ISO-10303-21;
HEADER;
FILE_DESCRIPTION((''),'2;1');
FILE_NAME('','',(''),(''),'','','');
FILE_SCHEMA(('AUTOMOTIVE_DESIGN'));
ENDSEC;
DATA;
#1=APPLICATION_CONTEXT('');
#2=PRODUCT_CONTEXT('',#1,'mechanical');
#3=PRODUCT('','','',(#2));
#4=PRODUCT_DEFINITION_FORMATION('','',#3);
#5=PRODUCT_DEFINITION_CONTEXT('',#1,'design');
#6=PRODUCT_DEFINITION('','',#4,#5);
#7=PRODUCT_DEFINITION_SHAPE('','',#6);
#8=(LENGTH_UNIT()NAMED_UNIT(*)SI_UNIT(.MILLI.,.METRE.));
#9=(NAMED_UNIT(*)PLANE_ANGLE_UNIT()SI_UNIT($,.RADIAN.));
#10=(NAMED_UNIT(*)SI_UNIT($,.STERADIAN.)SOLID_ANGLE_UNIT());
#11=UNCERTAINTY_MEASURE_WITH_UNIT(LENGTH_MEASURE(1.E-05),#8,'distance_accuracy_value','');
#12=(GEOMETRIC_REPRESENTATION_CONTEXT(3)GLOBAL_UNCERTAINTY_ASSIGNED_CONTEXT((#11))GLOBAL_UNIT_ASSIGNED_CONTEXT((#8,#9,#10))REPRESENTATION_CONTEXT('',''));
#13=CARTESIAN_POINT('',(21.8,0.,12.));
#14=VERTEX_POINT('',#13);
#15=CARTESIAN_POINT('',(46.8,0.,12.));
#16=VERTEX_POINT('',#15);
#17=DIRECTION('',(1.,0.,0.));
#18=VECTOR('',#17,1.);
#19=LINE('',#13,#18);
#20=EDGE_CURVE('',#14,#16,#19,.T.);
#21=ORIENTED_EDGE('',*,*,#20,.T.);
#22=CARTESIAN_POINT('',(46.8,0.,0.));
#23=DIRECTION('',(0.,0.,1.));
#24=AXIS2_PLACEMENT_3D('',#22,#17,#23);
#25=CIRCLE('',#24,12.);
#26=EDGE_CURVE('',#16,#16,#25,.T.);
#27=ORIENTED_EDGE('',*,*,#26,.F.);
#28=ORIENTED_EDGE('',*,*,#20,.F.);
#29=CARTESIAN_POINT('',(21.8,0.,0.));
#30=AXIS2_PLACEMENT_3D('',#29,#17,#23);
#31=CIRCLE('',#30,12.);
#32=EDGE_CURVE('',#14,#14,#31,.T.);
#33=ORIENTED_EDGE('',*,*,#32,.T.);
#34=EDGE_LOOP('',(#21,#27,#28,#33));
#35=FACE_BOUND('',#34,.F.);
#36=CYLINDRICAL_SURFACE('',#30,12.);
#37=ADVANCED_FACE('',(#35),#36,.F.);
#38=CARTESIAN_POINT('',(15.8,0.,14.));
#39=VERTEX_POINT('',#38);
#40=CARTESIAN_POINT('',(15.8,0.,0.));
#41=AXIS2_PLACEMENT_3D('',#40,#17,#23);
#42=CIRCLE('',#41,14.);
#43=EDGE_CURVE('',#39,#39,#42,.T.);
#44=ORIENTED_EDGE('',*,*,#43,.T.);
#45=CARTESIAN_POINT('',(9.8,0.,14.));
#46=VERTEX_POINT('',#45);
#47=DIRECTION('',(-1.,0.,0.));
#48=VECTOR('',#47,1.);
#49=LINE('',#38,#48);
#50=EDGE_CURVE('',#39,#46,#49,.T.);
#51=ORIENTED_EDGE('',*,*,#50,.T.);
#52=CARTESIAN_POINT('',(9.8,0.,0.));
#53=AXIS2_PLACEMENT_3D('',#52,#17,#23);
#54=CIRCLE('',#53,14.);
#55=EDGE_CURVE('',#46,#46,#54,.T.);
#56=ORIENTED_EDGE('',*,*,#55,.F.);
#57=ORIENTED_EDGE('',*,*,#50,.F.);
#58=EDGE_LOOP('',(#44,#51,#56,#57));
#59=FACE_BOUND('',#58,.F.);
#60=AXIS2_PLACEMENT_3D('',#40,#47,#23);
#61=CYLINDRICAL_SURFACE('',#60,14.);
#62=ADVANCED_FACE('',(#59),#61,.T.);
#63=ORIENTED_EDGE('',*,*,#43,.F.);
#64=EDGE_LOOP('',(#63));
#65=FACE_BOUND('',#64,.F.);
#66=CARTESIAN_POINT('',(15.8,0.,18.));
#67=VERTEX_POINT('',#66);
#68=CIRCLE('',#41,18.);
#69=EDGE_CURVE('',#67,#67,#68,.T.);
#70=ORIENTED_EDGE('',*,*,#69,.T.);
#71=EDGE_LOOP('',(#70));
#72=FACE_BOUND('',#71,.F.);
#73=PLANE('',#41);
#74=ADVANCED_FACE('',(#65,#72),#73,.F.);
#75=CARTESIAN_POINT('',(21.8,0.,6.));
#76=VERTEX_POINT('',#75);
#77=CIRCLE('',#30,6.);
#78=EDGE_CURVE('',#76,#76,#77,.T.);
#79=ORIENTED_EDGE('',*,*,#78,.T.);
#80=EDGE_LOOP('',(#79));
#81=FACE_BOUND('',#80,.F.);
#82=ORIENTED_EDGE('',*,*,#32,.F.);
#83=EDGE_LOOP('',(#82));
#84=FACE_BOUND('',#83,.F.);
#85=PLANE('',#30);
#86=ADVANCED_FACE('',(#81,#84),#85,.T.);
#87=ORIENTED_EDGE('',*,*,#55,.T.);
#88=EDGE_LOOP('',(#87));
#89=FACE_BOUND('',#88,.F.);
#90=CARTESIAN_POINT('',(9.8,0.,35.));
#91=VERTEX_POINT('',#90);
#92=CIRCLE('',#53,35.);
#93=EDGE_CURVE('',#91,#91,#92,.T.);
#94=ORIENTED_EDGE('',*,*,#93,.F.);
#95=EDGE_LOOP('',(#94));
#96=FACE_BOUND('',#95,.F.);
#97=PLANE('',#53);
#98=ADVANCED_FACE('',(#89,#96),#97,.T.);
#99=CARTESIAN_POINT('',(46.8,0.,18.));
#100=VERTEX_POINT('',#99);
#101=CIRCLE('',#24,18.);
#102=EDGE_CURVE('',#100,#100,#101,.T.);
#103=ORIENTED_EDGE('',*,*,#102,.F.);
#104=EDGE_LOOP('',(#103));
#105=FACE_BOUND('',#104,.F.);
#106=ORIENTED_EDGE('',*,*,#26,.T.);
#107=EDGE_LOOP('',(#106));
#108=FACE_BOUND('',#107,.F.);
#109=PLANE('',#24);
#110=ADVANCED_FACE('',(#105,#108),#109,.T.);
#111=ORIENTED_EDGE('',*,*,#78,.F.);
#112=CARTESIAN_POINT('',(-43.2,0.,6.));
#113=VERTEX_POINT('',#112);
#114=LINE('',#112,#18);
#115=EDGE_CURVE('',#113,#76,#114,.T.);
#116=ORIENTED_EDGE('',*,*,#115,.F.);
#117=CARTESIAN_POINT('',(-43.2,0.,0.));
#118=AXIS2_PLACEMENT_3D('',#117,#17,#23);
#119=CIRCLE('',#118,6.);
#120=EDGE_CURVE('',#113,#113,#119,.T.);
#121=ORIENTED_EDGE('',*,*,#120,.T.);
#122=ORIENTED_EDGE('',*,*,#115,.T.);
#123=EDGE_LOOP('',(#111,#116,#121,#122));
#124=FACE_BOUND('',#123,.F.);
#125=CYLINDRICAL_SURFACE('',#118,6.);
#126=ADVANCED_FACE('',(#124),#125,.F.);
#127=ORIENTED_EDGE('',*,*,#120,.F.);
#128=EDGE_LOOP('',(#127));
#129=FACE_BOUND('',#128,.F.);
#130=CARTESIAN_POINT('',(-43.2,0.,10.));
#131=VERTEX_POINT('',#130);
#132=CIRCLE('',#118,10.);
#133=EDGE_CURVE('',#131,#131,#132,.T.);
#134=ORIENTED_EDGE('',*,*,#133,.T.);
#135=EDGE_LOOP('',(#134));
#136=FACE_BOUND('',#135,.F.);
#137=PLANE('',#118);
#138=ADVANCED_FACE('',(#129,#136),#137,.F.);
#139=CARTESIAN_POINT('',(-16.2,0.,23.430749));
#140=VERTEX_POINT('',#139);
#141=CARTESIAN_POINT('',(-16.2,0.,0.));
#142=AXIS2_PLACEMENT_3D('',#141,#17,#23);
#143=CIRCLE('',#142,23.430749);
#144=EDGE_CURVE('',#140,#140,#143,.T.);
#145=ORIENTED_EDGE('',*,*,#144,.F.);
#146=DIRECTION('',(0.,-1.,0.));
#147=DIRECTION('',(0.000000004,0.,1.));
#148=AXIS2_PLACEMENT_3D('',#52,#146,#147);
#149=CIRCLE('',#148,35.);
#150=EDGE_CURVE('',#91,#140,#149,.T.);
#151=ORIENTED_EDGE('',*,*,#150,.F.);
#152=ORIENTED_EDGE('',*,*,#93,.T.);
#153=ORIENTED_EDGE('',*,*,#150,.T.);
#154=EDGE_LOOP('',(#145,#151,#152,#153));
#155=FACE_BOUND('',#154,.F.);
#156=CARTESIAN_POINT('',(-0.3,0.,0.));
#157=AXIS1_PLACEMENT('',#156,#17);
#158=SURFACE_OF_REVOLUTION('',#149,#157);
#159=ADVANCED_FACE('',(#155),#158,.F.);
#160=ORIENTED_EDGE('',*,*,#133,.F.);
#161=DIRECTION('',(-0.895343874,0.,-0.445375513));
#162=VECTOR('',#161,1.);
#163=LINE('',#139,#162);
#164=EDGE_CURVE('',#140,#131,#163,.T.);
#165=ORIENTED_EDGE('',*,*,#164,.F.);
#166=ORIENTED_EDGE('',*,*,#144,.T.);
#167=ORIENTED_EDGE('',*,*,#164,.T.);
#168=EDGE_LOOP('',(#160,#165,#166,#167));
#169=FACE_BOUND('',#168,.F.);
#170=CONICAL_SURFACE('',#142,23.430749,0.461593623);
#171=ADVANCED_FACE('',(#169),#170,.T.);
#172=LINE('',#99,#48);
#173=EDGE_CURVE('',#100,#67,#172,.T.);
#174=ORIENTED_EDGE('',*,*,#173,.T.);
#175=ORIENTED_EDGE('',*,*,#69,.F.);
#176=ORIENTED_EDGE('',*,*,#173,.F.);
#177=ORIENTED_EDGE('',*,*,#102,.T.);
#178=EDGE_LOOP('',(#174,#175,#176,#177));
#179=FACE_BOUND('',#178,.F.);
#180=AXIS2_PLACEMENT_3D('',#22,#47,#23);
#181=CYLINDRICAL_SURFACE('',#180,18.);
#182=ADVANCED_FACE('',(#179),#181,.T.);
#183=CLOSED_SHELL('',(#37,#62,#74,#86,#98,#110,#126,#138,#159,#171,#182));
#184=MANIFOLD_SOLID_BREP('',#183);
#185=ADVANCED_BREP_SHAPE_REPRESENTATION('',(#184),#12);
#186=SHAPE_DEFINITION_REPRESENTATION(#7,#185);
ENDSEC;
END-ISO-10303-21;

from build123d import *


with BuildPart() as f1:
    # F0 (on Front) → F1 (revolve)
    with BuildSketch(Plane.XZ):
        with BuildLine():
            Line((-43.2, 10), (-43.2, 6))
            Line((-43.2, 6), (21.8, 6))
            Line((21.8, 6), (21.8, 12))
            Line((21.8, 12), (46.8, 12))
            Line((46.8, 12), (46.8, 18))
            Line((46.8, 18), (15.8, 18))
            Line((15.8, 18), (15.8, 14))
            Line((15.8, 14), (9.8, 14))
            Line((9.8, 14), (9.8, 35))
            ThreePointArc((9.8, 35), (-4.42891, 31.97715), (-16.2, 23.430749))
            Line((-16.2, 23.430749), (-43.2, 10))
        make_face()
    revolve(axis=Axis((-0.3, 0, 0), (1, 0, 0)))


solid = f1.part
